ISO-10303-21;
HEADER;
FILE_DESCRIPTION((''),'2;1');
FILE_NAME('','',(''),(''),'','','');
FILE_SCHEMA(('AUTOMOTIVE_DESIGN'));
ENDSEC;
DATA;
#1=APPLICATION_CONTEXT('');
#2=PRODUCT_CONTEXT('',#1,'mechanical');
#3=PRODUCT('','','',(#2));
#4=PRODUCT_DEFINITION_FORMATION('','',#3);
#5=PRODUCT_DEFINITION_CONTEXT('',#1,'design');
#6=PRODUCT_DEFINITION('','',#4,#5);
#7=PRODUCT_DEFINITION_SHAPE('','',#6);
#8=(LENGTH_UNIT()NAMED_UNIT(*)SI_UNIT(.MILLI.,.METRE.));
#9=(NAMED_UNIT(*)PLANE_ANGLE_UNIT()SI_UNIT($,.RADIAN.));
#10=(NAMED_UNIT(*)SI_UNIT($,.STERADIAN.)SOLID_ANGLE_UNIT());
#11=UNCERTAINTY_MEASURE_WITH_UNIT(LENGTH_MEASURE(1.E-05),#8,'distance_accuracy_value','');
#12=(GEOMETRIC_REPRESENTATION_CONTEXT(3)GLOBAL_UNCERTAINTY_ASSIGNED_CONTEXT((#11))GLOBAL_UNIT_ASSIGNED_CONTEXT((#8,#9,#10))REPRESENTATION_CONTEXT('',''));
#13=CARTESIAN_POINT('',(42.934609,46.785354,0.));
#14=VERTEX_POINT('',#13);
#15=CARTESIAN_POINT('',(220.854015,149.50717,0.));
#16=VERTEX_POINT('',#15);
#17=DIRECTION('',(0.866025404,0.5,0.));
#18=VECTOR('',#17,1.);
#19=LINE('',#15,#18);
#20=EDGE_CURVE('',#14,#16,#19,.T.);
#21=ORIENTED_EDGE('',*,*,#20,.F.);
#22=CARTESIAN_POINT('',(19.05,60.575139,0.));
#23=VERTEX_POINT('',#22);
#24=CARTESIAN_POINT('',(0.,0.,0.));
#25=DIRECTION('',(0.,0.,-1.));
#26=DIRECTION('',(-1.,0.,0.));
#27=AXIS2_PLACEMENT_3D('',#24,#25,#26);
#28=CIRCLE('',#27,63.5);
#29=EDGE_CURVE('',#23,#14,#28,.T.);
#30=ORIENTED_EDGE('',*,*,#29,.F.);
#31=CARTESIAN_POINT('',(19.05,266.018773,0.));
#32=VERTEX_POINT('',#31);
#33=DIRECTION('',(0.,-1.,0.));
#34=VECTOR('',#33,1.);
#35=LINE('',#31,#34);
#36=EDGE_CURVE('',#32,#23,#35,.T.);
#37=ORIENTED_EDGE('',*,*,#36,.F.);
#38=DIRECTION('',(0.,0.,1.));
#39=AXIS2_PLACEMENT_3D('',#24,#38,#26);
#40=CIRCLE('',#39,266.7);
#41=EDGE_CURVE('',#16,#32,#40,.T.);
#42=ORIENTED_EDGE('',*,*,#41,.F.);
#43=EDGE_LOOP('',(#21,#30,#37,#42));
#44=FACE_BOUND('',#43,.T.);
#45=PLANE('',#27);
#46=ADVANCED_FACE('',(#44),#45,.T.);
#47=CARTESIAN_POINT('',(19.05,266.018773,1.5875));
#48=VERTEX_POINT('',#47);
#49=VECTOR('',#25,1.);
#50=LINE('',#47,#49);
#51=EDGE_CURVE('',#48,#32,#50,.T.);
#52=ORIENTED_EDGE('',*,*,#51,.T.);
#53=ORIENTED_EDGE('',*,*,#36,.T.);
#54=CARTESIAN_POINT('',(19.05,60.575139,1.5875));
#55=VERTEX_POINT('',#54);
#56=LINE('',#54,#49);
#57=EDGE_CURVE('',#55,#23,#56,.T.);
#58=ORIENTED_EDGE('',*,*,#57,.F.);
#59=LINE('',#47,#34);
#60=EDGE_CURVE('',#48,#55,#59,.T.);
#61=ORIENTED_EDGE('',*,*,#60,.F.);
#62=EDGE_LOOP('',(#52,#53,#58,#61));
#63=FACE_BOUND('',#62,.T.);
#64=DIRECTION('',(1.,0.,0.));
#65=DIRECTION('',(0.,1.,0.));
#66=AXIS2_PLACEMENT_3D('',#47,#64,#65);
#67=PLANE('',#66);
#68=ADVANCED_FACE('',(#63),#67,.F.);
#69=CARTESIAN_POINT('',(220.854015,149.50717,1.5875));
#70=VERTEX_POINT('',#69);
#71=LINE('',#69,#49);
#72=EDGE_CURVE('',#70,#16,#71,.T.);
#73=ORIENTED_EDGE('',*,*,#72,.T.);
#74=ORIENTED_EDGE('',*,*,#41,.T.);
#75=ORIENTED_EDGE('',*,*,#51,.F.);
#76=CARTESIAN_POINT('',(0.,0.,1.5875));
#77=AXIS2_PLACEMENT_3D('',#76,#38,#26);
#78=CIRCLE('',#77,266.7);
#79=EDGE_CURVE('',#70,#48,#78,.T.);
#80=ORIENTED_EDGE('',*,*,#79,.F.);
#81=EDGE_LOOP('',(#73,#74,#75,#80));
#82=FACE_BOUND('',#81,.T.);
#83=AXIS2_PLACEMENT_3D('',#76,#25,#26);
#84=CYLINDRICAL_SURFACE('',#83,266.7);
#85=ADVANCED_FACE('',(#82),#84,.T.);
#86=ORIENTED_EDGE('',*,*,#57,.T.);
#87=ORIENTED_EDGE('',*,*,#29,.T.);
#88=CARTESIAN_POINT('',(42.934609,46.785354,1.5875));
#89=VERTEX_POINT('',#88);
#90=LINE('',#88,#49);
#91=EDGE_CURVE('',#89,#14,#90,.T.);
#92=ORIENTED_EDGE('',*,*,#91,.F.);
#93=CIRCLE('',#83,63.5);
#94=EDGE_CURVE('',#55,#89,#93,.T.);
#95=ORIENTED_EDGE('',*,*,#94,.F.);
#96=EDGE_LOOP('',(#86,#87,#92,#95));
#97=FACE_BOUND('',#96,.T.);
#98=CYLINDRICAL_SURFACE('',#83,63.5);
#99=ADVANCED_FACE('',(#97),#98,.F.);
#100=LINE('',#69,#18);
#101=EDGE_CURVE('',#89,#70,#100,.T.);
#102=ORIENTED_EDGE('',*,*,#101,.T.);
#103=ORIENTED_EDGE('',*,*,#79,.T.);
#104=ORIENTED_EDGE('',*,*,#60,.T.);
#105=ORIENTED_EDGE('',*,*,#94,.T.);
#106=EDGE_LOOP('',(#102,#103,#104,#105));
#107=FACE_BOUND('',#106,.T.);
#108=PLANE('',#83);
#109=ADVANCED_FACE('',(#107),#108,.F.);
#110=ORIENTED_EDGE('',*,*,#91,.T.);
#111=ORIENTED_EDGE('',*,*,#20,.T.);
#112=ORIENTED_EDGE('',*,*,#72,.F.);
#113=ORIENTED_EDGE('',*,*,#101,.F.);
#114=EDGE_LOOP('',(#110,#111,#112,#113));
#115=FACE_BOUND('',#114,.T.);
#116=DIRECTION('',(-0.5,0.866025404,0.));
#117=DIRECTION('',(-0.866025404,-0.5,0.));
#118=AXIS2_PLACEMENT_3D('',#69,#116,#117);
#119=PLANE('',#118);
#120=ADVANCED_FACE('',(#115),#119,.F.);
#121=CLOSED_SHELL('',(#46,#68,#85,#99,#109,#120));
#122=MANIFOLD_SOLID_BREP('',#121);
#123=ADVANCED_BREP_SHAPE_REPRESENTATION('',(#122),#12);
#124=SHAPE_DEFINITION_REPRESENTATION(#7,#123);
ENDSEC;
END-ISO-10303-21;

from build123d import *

# Parameters (mm, degrees)
BOSS_EXTRUDE1_DEPTH = 1.5875


with BuildPart() as part:
    # Sketch2 → Boss-Extrude1 (new body)
    with BuildSketch(Plane.XY):
        with BuildLine():
            Line((19.05, 266.018772834), (19.05, 60.57513929))
            ThreePointArc((19.05, 60.57513929), (31.75, 54.99261314), (42.934609463, 46.785353587))
            Line((42.934609463, 46.785353587), (220.854015158, 149.507170359))
            ThreePointArc((220.854015158, 149.507170359), (133.35, 230.968975189), (19.05, 266.018772834))
        make_face()
    extrude(amount=BOSS_EXTRUDE1_DEPTH)


solid = part.part
